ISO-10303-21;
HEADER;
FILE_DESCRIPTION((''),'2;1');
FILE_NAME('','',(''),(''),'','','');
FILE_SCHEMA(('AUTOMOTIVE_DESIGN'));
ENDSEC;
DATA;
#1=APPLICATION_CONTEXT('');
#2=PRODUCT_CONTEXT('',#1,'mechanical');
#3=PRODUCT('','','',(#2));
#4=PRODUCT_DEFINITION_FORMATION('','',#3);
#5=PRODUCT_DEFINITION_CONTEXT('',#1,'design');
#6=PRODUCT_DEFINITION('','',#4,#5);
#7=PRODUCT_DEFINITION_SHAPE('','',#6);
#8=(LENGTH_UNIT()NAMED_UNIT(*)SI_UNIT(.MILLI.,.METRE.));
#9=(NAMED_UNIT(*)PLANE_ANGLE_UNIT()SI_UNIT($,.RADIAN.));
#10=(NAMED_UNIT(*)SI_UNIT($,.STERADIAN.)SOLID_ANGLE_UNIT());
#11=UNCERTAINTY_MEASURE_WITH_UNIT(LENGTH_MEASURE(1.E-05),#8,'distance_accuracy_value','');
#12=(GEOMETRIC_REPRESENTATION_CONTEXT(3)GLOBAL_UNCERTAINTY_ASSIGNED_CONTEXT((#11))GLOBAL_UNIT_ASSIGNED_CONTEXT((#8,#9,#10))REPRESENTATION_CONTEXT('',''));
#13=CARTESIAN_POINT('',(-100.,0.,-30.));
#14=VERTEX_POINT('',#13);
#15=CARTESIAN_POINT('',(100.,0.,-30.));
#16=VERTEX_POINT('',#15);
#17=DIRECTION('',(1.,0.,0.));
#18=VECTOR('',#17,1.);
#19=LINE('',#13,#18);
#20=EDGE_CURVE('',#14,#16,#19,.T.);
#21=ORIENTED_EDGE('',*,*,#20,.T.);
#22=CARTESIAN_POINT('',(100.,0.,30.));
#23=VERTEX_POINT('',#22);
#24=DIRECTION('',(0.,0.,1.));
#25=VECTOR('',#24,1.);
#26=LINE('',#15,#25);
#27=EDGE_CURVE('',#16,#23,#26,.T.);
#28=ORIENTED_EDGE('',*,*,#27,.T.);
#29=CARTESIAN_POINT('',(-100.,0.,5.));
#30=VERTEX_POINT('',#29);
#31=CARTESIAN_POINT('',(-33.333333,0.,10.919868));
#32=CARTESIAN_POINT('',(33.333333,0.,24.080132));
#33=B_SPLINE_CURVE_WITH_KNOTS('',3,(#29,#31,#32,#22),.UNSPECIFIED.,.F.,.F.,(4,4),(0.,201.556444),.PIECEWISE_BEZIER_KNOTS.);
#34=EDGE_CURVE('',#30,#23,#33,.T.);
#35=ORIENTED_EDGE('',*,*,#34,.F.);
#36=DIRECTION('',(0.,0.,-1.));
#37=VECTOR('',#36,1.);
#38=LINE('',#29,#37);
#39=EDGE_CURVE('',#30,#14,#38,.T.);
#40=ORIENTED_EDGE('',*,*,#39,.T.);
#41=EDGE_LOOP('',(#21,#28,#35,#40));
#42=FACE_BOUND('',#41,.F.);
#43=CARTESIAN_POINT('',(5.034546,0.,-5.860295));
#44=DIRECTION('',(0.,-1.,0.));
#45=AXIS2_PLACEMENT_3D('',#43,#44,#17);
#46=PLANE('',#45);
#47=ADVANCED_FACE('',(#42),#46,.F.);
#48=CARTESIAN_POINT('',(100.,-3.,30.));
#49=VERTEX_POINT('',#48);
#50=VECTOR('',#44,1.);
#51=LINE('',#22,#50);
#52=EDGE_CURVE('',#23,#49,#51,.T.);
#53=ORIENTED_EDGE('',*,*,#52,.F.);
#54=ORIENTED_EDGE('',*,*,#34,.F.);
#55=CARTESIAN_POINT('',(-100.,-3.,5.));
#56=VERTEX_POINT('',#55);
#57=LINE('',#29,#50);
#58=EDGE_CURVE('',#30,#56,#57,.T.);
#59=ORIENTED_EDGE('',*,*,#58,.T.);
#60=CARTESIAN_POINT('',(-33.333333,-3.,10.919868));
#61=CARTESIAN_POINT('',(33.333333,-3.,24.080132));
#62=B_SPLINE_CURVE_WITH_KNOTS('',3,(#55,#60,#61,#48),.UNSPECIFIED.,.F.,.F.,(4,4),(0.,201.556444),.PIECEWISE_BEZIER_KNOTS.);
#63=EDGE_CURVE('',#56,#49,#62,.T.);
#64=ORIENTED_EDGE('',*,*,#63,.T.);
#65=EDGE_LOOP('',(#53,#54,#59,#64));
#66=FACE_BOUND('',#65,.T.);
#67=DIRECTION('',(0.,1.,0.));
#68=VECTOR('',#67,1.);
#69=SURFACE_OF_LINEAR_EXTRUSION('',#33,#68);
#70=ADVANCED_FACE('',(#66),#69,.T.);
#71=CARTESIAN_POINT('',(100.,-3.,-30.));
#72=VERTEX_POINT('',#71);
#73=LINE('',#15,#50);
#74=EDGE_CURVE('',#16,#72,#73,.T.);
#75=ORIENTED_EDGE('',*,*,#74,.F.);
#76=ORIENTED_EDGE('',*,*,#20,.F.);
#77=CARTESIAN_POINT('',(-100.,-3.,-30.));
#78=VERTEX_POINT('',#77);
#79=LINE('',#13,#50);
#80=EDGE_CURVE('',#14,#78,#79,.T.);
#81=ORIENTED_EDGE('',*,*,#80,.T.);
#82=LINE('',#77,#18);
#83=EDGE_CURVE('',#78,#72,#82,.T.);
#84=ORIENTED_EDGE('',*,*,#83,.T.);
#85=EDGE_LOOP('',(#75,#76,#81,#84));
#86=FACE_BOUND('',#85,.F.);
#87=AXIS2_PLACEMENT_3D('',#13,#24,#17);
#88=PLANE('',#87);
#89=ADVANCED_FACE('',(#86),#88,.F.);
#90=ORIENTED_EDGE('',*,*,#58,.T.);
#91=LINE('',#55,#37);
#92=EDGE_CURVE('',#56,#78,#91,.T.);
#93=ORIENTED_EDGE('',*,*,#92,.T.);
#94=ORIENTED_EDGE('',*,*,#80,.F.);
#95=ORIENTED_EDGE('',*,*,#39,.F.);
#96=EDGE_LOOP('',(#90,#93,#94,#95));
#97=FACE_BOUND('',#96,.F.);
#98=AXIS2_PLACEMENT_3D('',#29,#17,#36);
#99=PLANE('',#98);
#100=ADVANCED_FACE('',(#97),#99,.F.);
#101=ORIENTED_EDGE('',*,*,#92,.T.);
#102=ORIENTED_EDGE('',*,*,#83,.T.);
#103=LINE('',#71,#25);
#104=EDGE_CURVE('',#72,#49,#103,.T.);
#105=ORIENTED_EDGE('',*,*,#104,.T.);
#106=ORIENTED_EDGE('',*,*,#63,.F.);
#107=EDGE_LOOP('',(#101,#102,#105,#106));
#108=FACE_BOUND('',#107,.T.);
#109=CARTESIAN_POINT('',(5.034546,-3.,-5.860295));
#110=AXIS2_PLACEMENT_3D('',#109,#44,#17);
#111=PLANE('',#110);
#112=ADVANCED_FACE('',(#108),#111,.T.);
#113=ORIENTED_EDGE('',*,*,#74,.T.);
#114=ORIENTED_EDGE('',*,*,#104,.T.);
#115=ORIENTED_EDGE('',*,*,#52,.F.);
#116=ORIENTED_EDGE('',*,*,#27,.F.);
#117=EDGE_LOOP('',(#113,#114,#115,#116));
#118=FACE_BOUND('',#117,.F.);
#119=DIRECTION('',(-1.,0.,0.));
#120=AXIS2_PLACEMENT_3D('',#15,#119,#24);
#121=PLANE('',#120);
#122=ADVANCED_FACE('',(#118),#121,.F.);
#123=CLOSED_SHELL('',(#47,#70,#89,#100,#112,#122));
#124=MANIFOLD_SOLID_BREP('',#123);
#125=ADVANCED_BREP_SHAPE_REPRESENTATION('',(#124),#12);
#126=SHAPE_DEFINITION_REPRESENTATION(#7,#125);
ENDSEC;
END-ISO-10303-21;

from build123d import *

# Parameters (mm, degrees)
F1_DEPTH = 3


with BuildPart() as f1:
    # F0 (on Front) → F1 (new body)
    with BuildSketch(Plane.XZ):
        with BuildLine():
            Line((-100, -30), (100, -30))
            Line((100, -30), (100, 30))
            add(Edge.make_bspline(
                [(-100, 5), (-33.333333, 10.919868), (33.333333, 24.080132), (100, 30)],
                knots=[0, 0, 0, 0, 201.556444, 201.556444, 201.556444, 201.556444], degree=3))
            Line((-100, 5), (-100, -30))
        make_face()
    extrude(amount=F1_DEPTH)


solid = f1.part
